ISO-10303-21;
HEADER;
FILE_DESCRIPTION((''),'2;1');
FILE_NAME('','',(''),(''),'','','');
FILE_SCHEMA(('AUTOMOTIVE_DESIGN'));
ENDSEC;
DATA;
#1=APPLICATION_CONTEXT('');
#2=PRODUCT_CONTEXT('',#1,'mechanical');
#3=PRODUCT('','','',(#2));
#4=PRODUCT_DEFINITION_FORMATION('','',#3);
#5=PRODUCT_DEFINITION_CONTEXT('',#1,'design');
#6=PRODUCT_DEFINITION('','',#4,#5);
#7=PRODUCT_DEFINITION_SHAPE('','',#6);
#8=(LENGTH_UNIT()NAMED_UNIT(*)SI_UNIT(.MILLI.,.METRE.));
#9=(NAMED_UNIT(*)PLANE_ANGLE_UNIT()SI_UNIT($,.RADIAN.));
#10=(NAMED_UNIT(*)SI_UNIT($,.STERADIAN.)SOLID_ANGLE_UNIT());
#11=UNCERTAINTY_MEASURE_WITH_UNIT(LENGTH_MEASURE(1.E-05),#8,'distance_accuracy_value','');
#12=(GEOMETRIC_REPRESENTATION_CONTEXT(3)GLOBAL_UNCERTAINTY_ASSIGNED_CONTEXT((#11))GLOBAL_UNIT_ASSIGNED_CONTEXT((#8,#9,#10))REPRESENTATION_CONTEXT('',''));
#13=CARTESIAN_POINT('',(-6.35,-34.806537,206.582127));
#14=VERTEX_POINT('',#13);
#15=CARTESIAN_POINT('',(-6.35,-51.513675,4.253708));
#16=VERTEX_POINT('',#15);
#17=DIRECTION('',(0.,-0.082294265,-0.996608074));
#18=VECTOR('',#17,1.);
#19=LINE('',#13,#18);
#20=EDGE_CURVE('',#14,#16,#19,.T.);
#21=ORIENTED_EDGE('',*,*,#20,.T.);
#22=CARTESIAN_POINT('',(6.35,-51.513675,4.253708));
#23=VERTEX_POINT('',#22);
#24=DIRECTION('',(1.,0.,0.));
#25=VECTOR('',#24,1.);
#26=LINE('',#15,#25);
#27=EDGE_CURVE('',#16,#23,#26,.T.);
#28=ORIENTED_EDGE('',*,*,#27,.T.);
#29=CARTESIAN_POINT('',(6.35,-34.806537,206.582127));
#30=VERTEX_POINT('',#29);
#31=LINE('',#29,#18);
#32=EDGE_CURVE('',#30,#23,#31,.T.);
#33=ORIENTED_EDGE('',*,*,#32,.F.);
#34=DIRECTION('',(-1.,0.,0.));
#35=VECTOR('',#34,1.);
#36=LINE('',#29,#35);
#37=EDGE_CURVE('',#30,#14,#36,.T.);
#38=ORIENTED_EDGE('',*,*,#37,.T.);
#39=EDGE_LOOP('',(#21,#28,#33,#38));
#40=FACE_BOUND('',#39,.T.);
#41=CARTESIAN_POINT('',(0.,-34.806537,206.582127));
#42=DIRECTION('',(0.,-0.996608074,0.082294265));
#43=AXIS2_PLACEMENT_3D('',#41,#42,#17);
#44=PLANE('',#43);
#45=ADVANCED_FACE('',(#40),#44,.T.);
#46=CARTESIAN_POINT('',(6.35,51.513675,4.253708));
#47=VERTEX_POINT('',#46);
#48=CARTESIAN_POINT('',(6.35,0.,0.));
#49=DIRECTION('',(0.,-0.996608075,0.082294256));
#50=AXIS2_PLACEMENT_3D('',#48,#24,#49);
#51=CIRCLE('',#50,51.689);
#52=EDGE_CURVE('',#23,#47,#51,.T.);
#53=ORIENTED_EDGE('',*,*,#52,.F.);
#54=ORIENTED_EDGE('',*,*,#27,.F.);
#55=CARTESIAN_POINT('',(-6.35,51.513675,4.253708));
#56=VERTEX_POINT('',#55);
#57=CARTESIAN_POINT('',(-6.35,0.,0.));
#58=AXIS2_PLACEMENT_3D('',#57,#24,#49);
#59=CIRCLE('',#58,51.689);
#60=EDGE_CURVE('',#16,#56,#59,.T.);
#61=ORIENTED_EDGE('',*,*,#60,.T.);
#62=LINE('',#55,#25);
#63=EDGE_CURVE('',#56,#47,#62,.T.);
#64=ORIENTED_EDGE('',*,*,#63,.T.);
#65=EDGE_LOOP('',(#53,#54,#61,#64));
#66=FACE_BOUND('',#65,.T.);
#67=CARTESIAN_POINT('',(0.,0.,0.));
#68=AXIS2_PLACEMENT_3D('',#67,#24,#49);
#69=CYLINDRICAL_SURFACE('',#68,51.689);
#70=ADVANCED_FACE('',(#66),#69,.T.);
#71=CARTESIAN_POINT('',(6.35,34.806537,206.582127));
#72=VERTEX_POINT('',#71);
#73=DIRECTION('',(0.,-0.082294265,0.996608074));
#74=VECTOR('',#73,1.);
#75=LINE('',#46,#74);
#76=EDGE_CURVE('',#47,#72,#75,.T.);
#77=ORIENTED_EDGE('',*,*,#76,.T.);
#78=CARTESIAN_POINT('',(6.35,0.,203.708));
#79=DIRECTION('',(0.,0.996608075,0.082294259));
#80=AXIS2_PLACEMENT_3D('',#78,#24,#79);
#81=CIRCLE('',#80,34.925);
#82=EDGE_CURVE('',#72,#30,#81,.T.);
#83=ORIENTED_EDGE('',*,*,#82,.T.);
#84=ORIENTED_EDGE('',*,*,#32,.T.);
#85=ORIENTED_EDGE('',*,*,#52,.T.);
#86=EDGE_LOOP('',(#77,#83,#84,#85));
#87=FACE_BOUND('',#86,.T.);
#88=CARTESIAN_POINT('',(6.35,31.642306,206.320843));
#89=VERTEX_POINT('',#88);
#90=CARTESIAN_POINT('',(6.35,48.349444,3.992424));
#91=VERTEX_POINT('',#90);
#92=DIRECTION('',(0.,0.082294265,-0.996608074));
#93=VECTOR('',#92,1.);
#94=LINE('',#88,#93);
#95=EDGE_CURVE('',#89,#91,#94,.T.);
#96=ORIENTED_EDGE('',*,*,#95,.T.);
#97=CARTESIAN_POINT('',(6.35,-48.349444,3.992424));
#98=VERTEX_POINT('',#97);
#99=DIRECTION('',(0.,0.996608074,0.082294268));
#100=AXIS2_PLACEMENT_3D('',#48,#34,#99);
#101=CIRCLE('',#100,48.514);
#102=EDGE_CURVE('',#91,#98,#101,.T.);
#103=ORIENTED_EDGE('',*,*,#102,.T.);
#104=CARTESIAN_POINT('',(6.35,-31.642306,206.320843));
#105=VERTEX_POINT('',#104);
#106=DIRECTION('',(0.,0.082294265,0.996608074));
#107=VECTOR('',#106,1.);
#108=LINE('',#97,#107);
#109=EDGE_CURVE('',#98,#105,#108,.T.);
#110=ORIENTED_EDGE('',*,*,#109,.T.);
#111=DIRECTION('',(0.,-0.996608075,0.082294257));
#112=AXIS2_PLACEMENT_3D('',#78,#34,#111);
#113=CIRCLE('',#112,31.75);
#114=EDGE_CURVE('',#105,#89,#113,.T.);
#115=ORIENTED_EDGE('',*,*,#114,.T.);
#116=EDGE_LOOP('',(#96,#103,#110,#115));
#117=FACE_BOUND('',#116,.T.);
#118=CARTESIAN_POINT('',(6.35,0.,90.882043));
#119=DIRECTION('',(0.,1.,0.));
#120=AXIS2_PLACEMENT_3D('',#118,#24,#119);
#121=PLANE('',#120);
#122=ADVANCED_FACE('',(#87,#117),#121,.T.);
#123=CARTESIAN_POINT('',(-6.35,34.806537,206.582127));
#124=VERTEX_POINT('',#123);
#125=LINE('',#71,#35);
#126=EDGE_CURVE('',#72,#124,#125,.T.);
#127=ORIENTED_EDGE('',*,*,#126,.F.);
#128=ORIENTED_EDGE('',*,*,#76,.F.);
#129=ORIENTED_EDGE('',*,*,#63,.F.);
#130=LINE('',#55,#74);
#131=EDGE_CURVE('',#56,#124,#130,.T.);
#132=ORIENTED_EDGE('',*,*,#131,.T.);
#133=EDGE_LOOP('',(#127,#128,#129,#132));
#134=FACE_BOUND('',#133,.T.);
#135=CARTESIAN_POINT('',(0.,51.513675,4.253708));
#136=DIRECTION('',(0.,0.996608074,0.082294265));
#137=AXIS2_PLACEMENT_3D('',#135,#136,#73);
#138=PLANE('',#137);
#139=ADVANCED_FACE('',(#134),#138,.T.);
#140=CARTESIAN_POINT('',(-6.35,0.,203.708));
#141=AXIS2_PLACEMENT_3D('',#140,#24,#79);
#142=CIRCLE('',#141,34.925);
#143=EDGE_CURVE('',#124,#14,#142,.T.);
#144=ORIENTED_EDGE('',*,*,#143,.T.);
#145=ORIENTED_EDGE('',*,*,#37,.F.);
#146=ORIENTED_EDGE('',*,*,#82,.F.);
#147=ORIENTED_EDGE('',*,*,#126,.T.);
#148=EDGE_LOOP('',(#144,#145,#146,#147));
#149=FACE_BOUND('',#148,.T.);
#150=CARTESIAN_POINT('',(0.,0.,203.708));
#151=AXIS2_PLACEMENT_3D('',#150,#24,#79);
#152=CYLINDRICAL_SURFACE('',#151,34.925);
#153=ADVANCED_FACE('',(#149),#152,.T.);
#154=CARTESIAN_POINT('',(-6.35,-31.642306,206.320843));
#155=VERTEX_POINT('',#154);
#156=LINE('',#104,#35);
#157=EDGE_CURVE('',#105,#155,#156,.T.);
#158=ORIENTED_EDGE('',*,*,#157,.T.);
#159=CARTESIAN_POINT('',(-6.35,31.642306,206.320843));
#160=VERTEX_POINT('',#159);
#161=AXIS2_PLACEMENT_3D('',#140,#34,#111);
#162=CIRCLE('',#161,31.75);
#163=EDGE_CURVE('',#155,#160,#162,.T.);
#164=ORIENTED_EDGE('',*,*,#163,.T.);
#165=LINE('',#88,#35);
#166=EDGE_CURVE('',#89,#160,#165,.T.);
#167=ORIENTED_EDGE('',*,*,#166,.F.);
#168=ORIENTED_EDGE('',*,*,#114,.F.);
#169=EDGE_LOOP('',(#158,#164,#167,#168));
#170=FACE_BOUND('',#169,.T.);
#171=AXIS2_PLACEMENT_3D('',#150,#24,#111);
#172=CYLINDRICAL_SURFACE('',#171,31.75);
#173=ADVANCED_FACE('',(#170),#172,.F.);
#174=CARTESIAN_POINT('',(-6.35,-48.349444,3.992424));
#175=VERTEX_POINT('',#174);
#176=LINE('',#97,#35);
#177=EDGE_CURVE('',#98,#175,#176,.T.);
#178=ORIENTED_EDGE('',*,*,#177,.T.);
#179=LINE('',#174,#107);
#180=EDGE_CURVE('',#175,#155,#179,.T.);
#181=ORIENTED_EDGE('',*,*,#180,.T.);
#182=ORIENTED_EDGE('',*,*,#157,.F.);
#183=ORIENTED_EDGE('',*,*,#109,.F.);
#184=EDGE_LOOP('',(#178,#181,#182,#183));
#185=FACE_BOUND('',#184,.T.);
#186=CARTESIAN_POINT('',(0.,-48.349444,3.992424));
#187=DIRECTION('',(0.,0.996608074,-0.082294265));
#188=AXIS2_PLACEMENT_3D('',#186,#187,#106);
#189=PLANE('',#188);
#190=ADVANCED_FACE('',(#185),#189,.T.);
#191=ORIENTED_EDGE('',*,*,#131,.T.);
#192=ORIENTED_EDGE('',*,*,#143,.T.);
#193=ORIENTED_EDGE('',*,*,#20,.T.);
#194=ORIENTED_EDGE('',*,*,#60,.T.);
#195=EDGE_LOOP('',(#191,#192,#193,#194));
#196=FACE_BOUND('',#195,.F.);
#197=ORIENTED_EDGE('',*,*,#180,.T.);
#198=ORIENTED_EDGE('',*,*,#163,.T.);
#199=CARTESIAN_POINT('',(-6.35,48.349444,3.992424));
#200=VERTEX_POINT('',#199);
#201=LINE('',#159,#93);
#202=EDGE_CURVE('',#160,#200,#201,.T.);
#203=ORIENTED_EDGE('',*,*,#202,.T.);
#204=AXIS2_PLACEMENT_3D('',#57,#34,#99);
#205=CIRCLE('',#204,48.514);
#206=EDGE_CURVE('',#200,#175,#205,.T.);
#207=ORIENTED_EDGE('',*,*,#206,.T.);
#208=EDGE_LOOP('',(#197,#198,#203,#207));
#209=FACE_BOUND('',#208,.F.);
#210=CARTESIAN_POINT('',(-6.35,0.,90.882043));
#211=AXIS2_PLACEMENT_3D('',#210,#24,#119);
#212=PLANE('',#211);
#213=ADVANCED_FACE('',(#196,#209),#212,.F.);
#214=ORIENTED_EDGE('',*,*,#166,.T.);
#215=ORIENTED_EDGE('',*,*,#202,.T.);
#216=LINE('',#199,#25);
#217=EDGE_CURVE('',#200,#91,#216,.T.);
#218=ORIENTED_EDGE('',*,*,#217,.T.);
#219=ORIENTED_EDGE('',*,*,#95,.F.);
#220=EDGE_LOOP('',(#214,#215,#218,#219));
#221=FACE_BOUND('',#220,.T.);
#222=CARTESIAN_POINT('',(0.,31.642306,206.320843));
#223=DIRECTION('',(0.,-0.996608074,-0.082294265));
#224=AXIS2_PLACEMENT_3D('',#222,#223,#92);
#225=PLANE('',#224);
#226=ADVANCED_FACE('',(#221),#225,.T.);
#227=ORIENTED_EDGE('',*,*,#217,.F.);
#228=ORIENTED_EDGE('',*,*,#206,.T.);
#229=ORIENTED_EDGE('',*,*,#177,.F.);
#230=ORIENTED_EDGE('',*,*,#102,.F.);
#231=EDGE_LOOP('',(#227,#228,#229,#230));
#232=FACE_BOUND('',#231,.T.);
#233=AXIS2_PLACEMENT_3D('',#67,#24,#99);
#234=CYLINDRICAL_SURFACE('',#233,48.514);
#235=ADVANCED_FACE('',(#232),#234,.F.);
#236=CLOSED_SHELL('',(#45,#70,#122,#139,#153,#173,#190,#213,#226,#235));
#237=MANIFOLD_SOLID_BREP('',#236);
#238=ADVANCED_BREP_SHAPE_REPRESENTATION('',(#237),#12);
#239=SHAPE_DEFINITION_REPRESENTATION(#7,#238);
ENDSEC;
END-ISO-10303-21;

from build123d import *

# Parameters (mm, degrees)
F1_DEPTH = 6.35


with BuildPart() as f1:
    # F0 (on Right) → F1 (new body, symmetric)
    with BuildSketch(Plane.YZ):
        with BuildLine():
            Line((-34.806537, 206.582127), (-51.513675, 4.253708))
            ThreePointArc((-51.513675, 4.253708), (0, -51.689), (51.513675, 4.253708))
            Line((51.513675, 4.253708), (34.806537, 206.582127))
            ThreePointArc((34.806537, 206.582127), (0, 238.633), (-34.806537, 206.582127))
        make_face()
        with BuildLine():
            ThreePointArc((48.349444, 3.992424), (0, -48.514), (-48.349444, 3.992424))
            Line((-48.349444, 3.992424), (-31.642306, 206.320843))
            ThreePointArc((-31.642306, 206.320843), (0, 235.458), (31.642306, 206.320843))
            Line((31.642306, 206.320843), (48.349444, 3.992424))
        make_face(mode=Mode.SUBTRACT)
    extrude(amount=F1_DEPTH, both=True)


solid = f1.part
